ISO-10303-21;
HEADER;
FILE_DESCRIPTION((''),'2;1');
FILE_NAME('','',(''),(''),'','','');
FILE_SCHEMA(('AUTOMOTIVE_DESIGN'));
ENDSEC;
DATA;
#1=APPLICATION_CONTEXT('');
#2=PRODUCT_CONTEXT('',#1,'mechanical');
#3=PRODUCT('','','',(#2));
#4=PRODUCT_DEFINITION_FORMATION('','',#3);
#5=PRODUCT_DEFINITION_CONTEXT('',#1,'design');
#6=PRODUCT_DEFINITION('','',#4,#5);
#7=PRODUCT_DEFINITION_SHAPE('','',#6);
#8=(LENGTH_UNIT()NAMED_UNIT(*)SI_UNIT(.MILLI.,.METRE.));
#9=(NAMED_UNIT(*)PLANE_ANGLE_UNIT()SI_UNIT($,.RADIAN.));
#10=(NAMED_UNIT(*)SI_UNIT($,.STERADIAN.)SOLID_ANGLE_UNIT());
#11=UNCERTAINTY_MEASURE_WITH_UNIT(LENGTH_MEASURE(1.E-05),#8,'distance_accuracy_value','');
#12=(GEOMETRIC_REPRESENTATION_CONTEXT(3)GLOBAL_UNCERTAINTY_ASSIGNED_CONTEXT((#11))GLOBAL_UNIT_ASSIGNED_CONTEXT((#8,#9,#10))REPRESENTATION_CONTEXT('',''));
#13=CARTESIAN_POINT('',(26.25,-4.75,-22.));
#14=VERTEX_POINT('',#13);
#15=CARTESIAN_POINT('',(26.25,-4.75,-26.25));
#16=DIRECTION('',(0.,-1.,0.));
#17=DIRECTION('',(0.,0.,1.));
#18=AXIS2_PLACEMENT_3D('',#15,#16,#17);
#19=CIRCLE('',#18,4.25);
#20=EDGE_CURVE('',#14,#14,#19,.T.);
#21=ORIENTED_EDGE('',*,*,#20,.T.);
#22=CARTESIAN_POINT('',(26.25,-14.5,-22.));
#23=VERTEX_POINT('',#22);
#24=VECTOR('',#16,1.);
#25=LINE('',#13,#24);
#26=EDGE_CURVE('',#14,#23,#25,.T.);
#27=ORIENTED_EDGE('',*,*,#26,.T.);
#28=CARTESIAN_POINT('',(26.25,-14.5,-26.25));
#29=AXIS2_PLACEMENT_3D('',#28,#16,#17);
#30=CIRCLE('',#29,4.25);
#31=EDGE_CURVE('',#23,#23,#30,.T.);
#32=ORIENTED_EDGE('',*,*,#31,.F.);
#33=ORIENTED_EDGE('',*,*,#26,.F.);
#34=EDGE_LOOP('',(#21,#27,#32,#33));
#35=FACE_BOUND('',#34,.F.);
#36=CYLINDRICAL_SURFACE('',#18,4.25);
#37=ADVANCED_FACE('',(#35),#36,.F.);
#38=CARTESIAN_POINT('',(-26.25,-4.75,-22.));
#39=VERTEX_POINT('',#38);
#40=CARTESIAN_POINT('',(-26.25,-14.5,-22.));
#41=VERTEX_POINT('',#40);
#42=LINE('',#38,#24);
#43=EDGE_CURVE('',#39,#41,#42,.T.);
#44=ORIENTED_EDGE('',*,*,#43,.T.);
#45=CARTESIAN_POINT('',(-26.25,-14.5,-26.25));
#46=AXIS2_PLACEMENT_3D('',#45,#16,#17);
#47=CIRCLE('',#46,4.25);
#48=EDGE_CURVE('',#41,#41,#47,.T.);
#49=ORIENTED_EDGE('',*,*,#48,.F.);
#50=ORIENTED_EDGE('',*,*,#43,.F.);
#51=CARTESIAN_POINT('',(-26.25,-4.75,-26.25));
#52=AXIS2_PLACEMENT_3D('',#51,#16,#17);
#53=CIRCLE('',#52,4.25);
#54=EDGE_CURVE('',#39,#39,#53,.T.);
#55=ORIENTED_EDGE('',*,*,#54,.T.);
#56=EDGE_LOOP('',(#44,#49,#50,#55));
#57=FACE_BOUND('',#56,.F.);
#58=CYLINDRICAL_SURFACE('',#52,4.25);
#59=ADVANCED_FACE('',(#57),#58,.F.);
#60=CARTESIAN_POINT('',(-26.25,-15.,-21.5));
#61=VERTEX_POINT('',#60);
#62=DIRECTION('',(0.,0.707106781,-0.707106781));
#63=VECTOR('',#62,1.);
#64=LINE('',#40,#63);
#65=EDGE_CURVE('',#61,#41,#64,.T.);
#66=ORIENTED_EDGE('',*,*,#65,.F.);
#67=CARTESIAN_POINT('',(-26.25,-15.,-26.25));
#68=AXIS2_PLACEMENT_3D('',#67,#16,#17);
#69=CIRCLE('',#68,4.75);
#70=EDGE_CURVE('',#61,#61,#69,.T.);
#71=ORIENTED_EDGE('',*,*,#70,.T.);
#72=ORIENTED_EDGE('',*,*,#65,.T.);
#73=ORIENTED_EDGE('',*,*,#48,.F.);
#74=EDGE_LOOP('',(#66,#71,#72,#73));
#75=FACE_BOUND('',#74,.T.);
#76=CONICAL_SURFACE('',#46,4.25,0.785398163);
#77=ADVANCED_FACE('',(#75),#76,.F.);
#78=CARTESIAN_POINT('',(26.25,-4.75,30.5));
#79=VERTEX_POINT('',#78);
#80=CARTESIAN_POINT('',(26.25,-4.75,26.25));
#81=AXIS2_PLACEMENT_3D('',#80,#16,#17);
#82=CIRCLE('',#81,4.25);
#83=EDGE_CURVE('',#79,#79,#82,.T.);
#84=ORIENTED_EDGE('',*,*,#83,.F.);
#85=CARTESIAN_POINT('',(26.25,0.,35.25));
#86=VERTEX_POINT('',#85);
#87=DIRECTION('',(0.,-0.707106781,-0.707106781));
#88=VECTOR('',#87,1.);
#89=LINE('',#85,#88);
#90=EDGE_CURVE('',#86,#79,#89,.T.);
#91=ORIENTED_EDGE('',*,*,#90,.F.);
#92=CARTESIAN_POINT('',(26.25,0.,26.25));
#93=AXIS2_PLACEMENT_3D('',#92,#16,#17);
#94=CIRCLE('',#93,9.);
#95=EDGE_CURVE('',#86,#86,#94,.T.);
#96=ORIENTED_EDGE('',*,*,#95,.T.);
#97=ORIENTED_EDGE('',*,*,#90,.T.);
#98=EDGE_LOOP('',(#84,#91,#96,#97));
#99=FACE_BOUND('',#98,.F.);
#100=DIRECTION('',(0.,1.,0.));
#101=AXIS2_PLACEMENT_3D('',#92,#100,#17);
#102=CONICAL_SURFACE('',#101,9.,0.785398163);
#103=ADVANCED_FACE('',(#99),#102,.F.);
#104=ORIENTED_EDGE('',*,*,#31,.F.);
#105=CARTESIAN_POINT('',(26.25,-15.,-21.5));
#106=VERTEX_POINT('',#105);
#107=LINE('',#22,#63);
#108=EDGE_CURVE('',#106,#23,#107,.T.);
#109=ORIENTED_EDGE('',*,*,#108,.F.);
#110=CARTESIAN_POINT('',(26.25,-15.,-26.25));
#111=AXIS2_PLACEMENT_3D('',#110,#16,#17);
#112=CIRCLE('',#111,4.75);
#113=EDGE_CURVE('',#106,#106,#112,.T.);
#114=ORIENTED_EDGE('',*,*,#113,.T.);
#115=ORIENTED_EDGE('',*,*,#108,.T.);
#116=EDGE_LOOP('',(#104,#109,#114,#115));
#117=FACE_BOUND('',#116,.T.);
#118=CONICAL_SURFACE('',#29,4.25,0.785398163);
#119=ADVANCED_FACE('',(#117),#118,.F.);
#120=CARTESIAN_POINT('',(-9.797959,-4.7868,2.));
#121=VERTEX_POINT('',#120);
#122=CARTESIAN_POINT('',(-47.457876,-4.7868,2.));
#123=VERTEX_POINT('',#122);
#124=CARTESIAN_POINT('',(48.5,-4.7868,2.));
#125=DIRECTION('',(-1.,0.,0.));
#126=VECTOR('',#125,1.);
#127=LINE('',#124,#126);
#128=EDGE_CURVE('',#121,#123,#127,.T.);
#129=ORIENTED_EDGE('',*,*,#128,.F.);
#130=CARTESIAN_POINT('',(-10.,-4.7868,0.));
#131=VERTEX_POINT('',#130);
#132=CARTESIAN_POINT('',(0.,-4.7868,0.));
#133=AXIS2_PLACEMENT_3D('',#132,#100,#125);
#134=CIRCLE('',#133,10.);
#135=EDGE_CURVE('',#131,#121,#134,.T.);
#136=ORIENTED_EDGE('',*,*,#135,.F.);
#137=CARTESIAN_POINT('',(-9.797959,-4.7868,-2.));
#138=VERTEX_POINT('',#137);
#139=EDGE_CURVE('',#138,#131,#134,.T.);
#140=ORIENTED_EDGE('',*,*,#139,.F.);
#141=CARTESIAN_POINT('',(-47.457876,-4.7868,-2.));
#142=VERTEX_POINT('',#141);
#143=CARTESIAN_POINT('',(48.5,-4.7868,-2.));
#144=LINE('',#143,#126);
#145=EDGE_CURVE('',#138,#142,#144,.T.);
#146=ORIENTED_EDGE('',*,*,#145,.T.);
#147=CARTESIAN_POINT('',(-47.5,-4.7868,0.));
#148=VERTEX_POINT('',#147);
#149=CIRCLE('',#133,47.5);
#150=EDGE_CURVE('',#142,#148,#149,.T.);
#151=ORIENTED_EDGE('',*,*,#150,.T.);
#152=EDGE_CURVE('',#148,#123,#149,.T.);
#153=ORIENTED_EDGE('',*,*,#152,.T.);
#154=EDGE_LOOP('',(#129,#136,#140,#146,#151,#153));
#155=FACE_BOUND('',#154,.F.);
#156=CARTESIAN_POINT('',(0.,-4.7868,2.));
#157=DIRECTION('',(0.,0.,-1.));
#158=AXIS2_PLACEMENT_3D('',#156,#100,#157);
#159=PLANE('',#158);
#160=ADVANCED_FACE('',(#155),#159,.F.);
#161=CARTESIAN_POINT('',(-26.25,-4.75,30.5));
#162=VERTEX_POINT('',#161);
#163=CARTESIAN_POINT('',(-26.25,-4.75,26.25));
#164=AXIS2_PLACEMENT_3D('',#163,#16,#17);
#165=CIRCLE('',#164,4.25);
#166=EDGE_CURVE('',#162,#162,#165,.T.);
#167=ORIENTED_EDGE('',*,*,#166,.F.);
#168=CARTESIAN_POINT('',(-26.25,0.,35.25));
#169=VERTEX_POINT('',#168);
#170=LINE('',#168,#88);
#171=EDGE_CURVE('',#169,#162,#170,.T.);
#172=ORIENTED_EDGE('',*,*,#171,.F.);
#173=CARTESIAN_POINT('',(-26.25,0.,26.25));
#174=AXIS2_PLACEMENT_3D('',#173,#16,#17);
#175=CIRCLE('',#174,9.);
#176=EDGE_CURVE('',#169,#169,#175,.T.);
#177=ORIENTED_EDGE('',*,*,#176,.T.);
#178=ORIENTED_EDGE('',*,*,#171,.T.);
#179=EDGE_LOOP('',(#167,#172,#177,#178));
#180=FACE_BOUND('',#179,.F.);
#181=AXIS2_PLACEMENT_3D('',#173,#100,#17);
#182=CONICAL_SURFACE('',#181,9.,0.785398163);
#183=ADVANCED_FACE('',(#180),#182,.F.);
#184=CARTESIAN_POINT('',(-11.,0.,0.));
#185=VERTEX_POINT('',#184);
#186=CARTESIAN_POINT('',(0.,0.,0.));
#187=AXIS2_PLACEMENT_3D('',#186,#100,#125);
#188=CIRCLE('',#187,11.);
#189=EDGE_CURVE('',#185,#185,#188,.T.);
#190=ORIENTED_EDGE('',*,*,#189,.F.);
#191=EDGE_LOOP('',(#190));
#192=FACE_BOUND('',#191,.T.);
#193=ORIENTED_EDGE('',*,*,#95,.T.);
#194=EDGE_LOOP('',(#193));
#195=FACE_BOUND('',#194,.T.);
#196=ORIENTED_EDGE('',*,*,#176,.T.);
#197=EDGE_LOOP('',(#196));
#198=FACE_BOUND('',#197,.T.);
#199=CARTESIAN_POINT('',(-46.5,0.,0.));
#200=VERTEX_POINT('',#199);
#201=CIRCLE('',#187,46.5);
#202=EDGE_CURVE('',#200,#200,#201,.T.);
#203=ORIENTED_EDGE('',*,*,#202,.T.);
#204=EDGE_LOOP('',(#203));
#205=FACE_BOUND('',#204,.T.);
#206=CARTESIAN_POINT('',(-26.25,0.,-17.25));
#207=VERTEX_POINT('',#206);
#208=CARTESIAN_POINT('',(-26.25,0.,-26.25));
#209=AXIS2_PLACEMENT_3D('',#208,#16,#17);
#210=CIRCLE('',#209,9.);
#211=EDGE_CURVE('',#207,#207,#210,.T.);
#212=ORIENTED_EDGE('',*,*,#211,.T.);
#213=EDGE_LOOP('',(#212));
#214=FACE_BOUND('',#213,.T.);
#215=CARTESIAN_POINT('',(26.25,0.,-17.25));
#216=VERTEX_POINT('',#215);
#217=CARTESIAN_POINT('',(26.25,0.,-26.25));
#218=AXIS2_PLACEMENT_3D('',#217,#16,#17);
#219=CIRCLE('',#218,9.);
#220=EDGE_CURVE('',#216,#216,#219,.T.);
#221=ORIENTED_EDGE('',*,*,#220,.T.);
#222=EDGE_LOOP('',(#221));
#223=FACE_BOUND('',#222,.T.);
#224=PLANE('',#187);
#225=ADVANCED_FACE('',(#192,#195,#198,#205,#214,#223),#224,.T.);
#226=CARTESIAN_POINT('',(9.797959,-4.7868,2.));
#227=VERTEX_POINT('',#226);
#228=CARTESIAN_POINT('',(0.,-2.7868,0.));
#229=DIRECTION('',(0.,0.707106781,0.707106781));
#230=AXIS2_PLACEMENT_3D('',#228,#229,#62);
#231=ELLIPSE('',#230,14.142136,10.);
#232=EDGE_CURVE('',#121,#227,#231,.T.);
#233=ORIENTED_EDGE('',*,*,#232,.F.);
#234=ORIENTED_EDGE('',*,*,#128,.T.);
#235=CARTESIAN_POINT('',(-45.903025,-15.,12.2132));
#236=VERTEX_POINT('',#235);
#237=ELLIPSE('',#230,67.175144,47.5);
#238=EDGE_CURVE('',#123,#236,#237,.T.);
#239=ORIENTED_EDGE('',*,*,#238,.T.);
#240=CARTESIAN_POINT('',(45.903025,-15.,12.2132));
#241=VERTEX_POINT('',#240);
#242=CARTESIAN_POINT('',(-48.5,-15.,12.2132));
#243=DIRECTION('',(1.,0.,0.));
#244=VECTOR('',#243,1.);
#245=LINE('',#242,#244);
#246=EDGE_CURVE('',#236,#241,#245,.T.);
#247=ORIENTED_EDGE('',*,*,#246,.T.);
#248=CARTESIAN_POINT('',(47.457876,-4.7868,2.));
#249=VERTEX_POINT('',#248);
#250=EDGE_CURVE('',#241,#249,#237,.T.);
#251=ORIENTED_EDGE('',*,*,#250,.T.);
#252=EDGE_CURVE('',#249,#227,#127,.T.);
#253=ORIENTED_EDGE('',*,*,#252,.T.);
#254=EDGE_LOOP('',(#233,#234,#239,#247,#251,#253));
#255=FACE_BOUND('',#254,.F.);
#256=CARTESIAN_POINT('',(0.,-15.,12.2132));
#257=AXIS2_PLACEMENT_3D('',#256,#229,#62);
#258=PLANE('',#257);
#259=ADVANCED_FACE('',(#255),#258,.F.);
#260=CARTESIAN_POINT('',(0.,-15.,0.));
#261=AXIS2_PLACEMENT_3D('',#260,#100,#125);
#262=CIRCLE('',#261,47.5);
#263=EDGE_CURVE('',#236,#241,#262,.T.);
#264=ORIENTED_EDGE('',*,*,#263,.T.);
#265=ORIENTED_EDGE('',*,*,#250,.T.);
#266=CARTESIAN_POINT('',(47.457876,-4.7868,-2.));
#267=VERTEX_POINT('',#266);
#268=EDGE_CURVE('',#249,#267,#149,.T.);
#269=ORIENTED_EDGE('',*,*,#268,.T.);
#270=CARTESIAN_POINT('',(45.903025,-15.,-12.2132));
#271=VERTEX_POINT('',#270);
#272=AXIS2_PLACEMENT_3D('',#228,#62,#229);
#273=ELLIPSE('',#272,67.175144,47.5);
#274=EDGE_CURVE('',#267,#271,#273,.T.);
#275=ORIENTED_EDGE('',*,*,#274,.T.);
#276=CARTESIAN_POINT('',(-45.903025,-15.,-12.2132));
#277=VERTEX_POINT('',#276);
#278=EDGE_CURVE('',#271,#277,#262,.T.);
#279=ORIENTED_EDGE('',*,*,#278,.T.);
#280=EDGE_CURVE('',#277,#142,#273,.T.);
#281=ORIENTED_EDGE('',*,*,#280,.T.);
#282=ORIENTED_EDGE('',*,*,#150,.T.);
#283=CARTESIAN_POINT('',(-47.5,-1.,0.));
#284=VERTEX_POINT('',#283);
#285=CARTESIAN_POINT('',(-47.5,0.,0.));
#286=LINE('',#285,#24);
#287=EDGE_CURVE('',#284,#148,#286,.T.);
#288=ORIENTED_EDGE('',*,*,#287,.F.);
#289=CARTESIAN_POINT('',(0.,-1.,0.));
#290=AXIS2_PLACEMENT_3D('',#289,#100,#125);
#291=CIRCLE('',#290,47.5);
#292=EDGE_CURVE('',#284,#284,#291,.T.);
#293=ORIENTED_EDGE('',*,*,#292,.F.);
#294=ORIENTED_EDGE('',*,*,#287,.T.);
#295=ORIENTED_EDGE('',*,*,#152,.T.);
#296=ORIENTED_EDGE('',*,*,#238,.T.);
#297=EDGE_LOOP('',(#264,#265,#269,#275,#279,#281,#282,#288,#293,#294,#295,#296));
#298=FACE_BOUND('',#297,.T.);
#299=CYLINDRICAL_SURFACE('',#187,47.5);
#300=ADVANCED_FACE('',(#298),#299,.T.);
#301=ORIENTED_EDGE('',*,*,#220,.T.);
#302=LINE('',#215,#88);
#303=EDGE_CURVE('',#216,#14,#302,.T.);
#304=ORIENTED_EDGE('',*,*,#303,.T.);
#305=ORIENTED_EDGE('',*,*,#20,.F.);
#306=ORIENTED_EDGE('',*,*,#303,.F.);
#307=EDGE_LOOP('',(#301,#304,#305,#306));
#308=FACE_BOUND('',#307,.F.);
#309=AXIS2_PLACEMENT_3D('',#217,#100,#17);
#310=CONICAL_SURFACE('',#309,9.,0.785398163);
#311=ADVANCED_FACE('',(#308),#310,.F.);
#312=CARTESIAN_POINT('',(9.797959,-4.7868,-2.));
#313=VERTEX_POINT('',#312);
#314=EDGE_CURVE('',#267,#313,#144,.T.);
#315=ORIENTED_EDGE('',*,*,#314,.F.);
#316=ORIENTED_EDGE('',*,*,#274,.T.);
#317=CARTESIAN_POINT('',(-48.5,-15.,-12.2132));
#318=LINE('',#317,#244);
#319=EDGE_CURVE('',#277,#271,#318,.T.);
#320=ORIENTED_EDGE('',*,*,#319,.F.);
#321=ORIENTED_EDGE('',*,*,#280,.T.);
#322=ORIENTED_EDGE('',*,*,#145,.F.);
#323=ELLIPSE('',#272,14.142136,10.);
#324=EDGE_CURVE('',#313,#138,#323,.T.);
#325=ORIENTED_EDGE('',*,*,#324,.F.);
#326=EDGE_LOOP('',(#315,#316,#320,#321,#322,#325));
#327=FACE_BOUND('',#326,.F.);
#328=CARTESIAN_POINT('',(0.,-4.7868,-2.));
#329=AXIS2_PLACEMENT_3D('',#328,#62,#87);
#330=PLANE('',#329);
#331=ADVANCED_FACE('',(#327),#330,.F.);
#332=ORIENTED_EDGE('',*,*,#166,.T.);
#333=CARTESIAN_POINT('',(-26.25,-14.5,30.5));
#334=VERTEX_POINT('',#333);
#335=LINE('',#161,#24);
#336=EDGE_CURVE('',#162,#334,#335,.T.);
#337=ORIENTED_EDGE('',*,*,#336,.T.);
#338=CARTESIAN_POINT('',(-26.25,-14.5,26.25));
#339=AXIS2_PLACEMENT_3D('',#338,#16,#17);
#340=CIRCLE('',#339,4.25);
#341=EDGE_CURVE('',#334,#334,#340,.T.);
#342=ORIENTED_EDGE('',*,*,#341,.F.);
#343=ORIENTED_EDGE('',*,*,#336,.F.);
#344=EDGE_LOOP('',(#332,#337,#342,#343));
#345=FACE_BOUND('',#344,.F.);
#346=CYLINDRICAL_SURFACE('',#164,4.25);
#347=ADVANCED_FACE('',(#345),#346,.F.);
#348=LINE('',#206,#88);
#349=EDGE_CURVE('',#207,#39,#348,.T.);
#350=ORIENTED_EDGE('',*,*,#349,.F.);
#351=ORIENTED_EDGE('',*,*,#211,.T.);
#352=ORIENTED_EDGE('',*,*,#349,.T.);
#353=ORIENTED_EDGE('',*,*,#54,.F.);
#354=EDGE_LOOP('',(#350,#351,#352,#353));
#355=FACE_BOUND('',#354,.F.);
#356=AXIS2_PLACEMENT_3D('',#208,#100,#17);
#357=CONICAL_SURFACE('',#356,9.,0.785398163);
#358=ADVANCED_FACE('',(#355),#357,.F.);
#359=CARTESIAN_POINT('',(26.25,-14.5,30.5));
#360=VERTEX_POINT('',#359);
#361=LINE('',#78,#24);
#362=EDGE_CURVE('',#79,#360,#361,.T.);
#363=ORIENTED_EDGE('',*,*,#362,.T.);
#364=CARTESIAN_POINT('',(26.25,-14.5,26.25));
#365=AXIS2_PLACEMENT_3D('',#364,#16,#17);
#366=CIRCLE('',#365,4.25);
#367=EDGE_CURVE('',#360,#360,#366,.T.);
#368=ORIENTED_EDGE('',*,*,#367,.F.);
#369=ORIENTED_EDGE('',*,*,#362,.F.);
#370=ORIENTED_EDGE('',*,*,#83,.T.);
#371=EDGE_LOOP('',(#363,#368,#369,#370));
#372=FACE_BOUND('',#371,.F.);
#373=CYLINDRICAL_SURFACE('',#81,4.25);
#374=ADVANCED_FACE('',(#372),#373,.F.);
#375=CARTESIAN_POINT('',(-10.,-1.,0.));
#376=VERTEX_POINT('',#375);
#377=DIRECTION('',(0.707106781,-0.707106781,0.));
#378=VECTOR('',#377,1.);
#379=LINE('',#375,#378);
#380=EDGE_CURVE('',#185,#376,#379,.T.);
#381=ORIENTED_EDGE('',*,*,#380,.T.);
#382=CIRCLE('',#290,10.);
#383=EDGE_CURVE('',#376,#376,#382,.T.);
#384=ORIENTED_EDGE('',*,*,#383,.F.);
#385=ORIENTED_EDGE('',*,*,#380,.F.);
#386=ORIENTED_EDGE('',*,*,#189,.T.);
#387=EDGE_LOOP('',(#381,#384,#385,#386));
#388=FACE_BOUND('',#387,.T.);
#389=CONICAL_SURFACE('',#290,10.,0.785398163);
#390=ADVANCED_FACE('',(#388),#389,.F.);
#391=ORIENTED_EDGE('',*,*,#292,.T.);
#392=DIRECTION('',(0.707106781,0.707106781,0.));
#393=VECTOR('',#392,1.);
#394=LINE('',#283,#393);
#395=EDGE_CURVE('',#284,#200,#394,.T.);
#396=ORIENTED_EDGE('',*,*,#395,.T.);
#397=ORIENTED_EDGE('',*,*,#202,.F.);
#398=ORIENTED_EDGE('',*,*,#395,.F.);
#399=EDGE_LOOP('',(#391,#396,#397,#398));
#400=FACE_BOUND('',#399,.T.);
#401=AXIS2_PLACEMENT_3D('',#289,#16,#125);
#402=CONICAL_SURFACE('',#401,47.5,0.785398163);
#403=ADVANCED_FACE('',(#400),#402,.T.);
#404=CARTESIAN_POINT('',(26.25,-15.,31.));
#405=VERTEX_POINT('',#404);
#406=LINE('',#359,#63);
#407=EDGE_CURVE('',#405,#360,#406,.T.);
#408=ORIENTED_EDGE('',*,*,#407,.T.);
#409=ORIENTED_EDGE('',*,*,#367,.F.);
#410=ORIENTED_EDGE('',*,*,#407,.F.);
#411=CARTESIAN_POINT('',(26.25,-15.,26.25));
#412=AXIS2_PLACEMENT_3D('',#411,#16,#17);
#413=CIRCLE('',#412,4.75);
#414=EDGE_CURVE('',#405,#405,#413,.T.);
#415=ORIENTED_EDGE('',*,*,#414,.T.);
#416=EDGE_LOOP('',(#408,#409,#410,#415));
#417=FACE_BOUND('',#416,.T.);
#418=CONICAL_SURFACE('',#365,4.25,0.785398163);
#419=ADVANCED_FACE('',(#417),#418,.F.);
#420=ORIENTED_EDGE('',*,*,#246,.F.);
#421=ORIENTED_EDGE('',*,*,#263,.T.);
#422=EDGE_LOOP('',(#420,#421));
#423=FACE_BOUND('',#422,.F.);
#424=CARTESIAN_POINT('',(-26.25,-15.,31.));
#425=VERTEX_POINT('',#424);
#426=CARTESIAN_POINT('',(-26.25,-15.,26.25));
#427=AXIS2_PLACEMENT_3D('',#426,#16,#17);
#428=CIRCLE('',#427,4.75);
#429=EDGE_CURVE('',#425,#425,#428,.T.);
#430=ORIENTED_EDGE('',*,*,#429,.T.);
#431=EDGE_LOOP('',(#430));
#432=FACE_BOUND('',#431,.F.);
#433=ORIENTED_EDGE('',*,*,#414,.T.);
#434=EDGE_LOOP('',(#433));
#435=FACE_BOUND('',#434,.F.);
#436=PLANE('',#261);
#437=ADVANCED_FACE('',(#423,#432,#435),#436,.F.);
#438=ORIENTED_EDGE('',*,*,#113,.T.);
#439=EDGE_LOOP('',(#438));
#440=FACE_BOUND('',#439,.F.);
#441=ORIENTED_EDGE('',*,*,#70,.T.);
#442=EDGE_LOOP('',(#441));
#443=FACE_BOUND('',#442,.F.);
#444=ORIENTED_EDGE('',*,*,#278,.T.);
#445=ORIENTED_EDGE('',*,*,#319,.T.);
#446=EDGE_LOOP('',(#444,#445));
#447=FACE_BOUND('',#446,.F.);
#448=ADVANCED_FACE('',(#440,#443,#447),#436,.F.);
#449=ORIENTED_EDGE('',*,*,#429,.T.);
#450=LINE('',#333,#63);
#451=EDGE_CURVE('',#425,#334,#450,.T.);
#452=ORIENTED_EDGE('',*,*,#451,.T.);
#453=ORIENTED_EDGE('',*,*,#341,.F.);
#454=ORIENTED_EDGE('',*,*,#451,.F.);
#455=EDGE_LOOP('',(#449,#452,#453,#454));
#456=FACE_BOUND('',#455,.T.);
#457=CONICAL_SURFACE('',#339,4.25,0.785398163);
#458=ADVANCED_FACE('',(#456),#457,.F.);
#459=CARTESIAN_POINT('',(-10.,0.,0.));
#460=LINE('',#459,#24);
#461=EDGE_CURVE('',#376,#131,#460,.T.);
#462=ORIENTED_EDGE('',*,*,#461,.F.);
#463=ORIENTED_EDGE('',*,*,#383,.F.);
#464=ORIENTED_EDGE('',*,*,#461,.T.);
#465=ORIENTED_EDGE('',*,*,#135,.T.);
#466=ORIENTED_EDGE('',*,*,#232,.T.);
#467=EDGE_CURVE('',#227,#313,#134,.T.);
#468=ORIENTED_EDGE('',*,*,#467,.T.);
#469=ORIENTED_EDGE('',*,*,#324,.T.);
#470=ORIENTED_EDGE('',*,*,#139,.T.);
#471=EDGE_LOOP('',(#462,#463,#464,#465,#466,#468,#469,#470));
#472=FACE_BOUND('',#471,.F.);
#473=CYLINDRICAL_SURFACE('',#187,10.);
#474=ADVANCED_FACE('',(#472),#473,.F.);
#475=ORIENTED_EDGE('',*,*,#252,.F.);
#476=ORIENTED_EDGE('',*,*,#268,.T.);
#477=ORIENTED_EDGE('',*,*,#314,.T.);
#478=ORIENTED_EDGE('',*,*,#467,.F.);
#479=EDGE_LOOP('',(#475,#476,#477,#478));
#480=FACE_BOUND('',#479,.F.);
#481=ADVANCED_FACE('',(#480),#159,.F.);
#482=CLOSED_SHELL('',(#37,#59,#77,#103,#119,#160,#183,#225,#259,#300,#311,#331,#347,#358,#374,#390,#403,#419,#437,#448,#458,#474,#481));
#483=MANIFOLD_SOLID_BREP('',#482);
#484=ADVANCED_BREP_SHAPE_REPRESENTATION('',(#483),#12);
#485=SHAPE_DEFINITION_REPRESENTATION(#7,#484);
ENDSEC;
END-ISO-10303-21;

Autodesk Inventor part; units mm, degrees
ref_plane "YZ Plane" through (0, 0, 0) normal (1, 0, 0) x (0, 1, 0)
ref_plane "XZ Plane" through (0, 0, 0) normal (0, 1, 0) x (-1, 0, 0)
ref_plane "XY Plane" through (0, 0, 0) normal (0, 0, 1) x (1, 0, 0)
sketch "Sketch1" plane through (0, 0, 0) normal (0, 1, 0) x (-1, 0, 0)
  circle A0 centre (0, 0) radius 47.5
  circle A1 centre (0, 0) radius 10
  line L0 (-26.25, 26.25) -> (26.25, 26.25) construction
  line L1 (26.25, 26.25) -> (26.25, -26.25) construction
  line L2 (26.25, -26.25) -> (-26.25, -26.25) construction
  line L3 (-26.25, -26.25) -> (-26.25, 26.25) construction
  line L4 (-26.25, 26.25) -> (26.25, -26.25) construction
  line L5 (26.25, 26.25) -> (-26.25, -26.25) construction
  dimension "d0" = 95
  dimension "d1" = 20
  dimension "d33" = 52.5
extrude "Extrusion1" add sketch "Sketch1" against normal blind 15
hole "Hole1" at (-26.25, 0, -26.25) at (26.25, 0, -26.25) at (26.25, 0, 26.25) at (-26.25, 0, 26.25) direction (0, -1, 0) diameter 8.5 end through all countersink diameter 18 countersink angle 90 clearance for "Countersunk Flat Head Screw ISO 2009/7046" size "M8" standard "ISO"
sketch "Sketch2" plane through (0, 0, 0) normal (1, 0, 0) x (0, 1, 0)
  line L0 (-15, 47.5) -> (-15, -47.5) projected
  line L1 (0, -47.5) -> (0, 47.5) construction
  line L2 (0, 47.5) -> (-15, 47.5) construction
  line L3 (0, -47.5) -> (-15, -47.5) construction
  line L4 (-46.8, 0) -> (7.8, 0) construction
  circle A0 centre (-24, 0) radius 15 construction
  line L5 (-15, 12.2132) -> (-4.7868, 2)
  line L6 (-4.7868, 2) -> (-4.7868, -2)
  line L7 (-4.7868, -2) -> (-15, -12.2132)
  point P0 (0, 0)
  point P1 (-4.7868, 0)
  dimension "d12" = 30
  dimension "d13" = 6
  dimension "d14" = 45
  dimension "d15" = 4
extrude "Extrusion2" cut sketch "Sketch2" along normal through all both and the other way through all
chamfer "Chamfer1" distance 1 angle 45 2 edges at (10, 0, 0) (47.5, 0, 0)
chamfer "Chamfer3" distance 0.5 angle 45 4 edges at (26.25, -15, -30.5) (-26.25, -15, -30.5) (26.25, -15, 22) (-26.25, -15, 22)
sketch "Sketch3" plane through (45.903, -15, 12.2132) normal (0, -0.7071, -0.7071) x (-1, 0, 0)
  ellipse E0 centre (45.903, 17.2721) end of major axis (45.903, 3.1299) minor radius 10 (36.1051, 14.4437) -> (55.701, 14.4437) ccw construction
  line L0 (-1.5549, 14.4437) -> (36.1051, 14.4437) construction
  ellipse E1 centre (45.903, 17.2721) end of major axis (45.903, 84.4472) minor radius 47.5 (-1.5549, 14.4437) -> (0, 0) ccw construction
  line L1 (91.806, 0) -> (0, 0) construction
  ellipse E2 centre (45.903, 17.2721) end of major axis (45.903, 84.4472) minor radius 47.5 (91.806, 0) -> (93.3609, 14.4437) ccw construction
  line L2 (55.701, 14.4437) -> (93.3609, 14.4437) construction
  line L3 (92.6036, 5) -> (-0.7976, 5)
  line L4 (93.1239, 10) -> (-1.3178, 10)
  line L5 (-1.5549, 14.4437) -> (93.3609, 14.4437)
  point P0 (45.903, 19.2426)
  dimension "d27" = 5
  dimension "d30" = 5
  dimension "d31" = 4.4436
sketch "Sketch4" plane through (-45.903, -15, -12.2132) normal (0, -0.7071, 0.7071) x (1, 0, 0)
  ellipse E0 centre (45.903, 17.2721) end of major axis (45.903, -49.9031) minor radius 47.5 (-1.5549, 14.4437) -> (0, 0) ccw construction
  ellipse E1 centre (45.903, 17.2721) end of major axis (45.903, -49.9031) minor radius 47.5 (91.806, 0) -> (93.3609, 14.4437) ccw construction
  line L0 (92.6036, 5) -> (-0.7976, 5)
  line L1 (91.806, 0) -> (0, 0) construction
  line L2 (93.3609, 14.4437) -> (-1.5549, 14.4437)
  line L3 (-1.3178, 10) -> (93.1239, 10)
  point P0 (45.903, 19.2426)
  dimension "d29" = 5
  dimension "d32" = 5
equation "\"d33\" = holeL"
equation "\"d30\" = d27"
equation "\"d29\" = d27"
equation "\"d32\" = d27"
equation "\"holeL\" = 52.5"
properties part number "HM1_FIXT1-002"
